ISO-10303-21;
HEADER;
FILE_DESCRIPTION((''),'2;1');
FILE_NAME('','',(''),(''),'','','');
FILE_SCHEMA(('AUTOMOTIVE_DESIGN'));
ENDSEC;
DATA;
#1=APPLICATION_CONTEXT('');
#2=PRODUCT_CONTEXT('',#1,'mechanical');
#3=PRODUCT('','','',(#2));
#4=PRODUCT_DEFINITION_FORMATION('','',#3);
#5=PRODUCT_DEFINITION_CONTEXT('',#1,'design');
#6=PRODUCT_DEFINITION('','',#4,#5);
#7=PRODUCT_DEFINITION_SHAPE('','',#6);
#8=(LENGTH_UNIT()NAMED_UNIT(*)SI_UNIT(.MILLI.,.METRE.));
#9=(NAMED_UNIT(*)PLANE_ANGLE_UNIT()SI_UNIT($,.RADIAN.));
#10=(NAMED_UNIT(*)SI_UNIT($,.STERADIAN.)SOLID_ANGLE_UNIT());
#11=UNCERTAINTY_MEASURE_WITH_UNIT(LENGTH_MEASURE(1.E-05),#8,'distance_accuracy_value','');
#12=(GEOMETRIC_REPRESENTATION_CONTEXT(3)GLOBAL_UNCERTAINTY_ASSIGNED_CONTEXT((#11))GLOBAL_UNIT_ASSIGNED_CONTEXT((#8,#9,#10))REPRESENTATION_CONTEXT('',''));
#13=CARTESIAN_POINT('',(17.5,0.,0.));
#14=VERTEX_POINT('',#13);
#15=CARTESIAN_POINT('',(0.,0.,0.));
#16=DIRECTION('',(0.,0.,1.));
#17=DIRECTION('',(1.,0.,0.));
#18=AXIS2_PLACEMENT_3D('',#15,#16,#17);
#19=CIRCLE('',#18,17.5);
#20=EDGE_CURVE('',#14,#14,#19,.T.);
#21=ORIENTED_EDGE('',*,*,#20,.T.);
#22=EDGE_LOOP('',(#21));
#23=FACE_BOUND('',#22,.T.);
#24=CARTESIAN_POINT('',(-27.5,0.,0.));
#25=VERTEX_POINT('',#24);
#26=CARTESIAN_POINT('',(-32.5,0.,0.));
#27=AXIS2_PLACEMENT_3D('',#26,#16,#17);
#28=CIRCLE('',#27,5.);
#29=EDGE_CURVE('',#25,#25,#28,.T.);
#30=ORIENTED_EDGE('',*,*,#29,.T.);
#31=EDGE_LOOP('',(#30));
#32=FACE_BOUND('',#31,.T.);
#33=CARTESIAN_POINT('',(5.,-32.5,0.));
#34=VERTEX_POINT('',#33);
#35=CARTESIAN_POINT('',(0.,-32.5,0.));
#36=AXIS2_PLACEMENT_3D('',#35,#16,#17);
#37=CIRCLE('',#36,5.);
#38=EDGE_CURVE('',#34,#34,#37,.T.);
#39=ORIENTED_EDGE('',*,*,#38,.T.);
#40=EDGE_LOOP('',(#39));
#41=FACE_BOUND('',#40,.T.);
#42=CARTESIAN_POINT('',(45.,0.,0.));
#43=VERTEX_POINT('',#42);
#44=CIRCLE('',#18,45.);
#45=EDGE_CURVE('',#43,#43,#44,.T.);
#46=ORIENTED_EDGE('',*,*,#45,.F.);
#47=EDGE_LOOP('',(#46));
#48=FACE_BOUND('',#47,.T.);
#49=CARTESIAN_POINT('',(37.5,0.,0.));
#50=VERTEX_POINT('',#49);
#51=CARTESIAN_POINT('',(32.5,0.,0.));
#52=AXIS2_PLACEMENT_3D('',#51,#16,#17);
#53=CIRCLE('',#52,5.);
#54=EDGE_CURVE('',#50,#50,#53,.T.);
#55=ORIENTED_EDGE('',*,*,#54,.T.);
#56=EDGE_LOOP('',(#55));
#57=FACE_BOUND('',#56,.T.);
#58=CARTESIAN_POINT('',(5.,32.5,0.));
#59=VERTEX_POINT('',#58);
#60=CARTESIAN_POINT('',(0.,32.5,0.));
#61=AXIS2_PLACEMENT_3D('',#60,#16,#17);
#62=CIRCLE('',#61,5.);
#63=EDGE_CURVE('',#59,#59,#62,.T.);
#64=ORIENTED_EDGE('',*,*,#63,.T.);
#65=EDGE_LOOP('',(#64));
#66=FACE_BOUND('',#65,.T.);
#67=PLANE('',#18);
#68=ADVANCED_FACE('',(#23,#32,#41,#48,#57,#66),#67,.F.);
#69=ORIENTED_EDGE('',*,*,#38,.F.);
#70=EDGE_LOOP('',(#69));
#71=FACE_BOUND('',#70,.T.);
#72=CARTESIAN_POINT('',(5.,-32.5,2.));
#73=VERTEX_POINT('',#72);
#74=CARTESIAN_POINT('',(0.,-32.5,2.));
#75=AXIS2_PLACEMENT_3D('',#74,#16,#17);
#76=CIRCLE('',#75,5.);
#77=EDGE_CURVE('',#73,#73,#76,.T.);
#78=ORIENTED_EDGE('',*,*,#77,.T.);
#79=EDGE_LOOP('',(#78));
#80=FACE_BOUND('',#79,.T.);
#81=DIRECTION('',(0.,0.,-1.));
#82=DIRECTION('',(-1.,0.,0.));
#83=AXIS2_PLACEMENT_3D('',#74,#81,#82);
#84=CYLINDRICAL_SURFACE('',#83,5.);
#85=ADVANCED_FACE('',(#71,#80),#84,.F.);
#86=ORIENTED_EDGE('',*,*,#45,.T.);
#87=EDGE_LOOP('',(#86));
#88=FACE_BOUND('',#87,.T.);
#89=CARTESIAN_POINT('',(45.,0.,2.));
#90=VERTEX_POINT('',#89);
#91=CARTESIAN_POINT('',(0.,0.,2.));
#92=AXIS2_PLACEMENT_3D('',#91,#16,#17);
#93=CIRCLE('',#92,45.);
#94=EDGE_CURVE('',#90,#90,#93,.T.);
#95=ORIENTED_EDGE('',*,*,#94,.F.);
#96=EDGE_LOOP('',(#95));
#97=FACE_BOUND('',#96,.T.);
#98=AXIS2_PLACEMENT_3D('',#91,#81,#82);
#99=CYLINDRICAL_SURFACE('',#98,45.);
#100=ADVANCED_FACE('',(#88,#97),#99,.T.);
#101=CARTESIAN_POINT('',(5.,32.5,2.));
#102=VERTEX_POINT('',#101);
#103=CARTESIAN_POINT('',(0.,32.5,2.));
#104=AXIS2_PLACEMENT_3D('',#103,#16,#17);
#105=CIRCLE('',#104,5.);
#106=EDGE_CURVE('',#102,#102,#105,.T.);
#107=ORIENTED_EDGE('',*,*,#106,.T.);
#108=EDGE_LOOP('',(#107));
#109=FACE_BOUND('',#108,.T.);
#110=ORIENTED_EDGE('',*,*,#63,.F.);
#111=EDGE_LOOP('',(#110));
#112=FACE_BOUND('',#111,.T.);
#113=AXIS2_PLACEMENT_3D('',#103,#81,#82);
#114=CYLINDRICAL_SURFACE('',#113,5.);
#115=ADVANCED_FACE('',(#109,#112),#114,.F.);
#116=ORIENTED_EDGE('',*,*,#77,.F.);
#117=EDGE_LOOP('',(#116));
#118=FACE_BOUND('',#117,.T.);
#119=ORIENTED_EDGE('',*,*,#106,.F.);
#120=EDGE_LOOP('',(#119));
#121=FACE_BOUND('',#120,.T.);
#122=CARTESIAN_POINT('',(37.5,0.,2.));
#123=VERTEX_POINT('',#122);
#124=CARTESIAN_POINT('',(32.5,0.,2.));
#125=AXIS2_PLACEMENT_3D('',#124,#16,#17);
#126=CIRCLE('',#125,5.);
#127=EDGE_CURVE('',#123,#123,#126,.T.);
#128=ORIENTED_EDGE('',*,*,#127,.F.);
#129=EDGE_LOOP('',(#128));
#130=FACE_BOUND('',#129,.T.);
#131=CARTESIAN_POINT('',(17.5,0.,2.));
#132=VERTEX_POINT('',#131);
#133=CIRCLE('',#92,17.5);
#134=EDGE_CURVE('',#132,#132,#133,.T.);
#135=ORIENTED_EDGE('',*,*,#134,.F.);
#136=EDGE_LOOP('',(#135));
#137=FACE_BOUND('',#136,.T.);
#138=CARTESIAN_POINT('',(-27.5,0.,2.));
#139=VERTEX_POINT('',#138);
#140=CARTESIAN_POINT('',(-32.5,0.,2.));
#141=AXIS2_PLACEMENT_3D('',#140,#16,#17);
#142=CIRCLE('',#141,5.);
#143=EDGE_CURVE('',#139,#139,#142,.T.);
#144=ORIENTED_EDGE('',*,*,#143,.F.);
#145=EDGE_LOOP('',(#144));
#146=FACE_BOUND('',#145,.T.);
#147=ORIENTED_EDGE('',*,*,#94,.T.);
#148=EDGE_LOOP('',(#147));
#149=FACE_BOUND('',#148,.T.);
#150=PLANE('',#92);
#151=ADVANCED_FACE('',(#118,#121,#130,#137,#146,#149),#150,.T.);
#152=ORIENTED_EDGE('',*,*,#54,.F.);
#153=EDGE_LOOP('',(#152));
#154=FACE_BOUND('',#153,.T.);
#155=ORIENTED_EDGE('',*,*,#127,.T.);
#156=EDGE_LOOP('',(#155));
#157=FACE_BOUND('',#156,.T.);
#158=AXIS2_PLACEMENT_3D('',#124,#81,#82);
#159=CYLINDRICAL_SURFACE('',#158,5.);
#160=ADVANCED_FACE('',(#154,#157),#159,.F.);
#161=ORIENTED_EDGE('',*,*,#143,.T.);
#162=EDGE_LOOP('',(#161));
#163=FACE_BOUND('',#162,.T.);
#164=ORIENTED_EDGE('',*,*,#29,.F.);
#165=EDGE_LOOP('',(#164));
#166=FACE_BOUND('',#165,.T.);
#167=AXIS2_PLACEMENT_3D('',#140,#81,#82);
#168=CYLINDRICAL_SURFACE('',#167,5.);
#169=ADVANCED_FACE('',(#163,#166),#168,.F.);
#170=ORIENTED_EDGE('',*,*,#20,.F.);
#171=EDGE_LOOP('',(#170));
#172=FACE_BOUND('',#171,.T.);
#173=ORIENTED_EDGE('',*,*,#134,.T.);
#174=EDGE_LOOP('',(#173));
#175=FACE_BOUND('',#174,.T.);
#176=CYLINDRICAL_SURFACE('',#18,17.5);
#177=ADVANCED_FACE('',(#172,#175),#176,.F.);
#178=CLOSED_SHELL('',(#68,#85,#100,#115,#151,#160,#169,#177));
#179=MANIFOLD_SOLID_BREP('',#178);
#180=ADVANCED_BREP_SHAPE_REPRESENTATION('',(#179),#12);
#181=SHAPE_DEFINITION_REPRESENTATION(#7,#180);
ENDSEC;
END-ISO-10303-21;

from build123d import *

# Parameters (mm, degrees)
SKETCH1_R           = 45
SKETCH1_R_2         = 5
BOSS_EXTRUDE1_DEPTH = 2
SKETCH2_R           = 17.5
CUT_EXTRUDE1_DEPTH  = 2


with BuildPart() as part:
    # Sketch1 → Boss-Extrude1 (new body)
    with BuildSketch(Plane.XY):
        Circle(SKETCH1_R)
        with Locations((0, 32.5)):
            Circle(SKETCH1_R_2, mode=Mode.SUBTRACT)
        with Locations((32.5, 0)):
            Circle(SKETCH1_R_2, mode=Mode.SUBTRACT)
        with Locations((0, -32.5)):
            Circle(SKETCH1_R_2, mode=Mode.SUBTRACT)
        with Locations((-32.5, 0)):
            Circle(SKETCH1_R_2, mode=Mode.SUBTRACT)
    extrude(amount=BOSS_EXTRUDE1_DEPTH)

    # Sketch2 → Cut-Extrude1 (cut)
    with BuildSketch(Plane.XY.offset(2)):
        Circle(SKETCH2_R)
    extrude(amount=-CUT_EXTRUDE1_DEPTH, mode=Mode.SUBTRACT)


solid = part.part
